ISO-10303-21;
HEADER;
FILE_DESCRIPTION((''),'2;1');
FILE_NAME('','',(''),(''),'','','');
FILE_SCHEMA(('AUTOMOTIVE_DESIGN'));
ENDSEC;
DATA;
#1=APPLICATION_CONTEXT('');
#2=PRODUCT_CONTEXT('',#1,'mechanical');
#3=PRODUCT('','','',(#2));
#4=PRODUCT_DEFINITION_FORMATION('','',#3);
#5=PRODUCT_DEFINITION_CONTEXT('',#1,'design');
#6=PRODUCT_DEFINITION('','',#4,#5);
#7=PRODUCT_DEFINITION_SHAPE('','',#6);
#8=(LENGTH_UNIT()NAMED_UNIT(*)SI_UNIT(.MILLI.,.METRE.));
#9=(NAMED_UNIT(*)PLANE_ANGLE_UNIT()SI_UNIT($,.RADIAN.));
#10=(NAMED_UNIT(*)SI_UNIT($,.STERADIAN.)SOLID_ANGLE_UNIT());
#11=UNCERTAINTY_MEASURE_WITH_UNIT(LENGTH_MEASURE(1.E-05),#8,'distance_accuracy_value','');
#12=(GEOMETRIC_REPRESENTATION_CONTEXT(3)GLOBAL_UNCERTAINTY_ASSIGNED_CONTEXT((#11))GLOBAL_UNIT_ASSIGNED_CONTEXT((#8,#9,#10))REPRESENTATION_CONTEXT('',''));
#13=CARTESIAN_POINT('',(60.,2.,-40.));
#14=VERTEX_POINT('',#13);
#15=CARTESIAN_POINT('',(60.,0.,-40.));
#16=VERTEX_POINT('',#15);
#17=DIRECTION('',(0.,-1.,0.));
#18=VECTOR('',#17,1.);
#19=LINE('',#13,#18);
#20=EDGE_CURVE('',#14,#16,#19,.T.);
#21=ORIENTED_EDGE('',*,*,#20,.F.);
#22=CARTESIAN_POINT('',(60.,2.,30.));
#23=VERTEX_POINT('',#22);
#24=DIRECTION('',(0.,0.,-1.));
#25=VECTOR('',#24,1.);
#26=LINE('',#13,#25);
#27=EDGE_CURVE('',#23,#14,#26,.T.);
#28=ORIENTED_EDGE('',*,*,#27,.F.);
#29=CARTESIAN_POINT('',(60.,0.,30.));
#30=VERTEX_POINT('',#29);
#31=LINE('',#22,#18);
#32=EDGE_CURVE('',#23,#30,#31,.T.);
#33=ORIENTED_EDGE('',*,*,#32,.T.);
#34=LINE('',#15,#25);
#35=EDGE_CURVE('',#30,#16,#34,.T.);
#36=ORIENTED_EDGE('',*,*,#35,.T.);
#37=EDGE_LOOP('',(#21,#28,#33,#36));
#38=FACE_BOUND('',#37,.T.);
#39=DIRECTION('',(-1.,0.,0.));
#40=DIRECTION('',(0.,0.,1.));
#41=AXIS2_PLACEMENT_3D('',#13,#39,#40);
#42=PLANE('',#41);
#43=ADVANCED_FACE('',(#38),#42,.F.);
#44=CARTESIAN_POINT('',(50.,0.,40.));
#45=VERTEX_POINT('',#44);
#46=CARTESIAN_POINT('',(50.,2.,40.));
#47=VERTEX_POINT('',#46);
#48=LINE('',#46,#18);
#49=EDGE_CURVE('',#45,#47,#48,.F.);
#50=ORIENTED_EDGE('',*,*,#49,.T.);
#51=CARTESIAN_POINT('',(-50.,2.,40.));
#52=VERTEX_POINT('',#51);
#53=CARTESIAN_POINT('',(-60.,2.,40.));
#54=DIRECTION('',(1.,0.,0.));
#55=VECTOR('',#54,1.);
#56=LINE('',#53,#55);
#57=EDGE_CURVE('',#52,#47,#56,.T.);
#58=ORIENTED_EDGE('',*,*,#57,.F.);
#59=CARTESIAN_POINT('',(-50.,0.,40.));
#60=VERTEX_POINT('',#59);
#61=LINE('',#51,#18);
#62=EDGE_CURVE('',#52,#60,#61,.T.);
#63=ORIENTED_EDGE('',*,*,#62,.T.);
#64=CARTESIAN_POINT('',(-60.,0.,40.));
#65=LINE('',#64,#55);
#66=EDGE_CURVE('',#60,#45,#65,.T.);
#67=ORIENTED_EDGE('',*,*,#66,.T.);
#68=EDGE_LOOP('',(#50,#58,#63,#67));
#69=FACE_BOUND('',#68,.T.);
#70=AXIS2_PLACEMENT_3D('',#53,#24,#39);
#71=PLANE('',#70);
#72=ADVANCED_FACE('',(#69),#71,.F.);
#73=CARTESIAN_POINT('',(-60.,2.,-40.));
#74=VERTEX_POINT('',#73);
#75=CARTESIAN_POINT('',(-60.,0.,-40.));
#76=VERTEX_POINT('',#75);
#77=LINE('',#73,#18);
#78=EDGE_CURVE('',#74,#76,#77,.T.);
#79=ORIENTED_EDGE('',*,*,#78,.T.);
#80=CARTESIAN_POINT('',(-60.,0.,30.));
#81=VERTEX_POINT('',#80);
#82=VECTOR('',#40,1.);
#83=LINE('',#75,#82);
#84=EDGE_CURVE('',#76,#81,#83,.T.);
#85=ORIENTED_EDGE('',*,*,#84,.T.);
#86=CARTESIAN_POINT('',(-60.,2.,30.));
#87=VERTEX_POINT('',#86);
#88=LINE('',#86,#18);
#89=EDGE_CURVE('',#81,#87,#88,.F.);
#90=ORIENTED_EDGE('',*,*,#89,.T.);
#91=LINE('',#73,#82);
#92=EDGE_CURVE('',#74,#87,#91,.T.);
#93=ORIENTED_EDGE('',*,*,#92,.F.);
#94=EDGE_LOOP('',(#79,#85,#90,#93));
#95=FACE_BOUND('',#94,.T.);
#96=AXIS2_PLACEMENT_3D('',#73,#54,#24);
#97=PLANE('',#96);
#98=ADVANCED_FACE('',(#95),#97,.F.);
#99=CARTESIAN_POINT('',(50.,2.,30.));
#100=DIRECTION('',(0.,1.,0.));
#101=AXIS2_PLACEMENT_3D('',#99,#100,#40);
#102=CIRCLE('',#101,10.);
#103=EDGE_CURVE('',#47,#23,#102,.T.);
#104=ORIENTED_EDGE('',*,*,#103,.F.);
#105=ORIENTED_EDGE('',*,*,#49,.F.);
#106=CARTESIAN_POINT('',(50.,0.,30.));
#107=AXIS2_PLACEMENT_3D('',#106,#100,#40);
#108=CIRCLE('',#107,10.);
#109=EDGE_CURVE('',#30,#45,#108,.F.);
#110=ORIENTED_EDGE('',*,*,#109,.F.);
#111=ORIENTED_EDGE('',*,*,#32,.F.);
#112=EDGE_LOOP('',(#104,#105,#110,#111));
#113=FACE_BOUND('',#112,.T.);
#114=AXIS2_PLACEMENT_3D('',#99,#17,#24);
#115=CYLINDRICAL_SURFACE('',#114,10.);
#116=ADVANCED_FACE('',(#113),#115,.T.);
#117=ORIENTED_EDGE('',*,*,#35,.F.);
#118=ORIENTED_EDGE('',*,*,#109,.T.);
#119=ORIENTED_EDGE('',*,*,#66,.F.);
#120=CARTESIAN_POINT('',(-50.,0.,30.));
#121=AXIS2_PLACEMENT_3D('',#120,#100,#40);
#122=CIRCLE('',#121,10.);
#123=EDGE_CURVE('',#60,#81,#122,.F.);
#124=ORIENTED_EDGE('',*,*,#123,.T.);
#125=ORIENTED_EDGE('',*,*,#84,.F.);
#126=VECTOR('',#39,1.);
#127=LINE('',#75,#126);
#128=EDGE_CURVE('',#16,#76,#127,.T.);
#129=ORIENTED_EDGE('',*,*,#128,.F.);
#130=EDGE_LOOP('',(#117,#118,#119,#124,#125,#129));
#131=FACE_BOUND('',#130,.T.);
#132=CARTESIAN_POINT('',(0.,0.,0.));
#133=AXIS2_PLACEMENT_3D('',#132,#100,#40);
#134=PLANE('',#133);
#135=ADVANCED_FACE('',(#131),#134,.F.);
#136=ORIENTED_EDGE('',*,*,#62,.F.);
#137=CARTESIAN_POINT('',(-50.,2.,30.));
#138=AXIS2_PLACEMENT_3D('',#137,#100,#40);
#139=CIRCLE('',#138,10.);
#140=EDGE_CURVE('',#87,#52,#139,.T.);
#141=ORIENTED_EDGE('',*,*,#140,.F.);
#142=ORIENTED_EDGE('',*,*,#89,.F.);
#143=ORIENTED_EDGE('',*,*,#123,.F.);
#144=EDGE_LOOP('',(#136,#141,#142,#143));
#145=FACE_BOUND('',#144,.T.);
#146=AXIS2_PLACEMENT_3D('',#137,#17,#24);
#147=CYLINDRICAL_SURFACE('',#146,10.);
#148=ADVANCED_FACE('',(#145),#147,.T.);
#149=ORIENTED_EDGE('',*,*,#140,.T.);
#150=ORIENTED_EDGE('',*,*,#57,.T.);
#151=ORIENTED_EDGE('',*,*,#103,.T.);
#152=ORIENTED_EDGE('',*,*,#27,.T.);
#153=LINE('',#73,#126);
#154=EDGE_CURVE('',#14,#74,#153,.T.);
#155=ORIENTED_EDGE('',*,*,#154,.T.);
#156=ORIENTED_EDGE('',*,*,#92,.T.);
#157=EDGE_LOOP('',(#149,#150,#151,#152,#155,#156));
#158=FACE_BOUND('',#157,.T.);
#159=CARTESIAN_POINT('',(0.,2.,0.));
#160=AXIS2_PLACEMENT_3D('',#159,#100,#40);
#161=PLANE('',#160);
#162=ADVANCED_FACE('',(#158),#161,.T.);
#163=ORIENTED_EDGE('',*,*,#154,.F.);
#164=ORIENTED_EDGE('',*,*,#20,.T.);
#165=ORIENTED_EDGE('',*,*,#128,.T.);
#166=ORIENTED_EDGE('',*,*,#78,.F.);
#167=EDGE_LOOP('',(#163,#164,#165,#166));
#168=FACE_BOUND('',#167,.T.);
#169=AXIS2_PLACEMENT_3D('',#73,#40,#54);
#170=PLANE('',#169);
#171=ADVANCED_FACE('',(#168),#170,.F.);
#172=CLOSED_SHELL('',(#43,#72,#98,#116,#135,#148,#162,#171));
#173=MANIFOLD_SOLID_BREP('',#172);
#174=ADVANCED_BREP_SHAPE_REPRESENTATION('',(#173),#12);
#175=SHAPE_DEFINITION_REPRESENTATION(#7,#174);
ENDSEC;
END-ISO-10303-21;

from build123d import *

# Parameters (mm, degrees)
SKETCH1_W           = 120
SKETCH1_H           = 80
BOSS_EXTRUDE1_DEPTH = 2
FILLET1_R           = 10


with BuildPart() as part:
    # Sketch1 → Boss-Extrude1 (new body)
    with BuildSketch(Plane(origin=(0, 0, 0), x_dir=(1, 0, 0), z_dir=(0, 1, 0))):
        Rectangle(SKETCH1_W, SKETCH1_H)
    extrude(amount=BOSS_EXTRUDE1_DEPTH)

    # Fillet1
    fillet1_edges = [part.edges().sort_by_distance(p)[0] for p in [
        (60, 1, 40),
        (-60, 1, 40),
    ]]
    fillet(fillet1_edges, radius=FILLET1_R)


solid = part.part
